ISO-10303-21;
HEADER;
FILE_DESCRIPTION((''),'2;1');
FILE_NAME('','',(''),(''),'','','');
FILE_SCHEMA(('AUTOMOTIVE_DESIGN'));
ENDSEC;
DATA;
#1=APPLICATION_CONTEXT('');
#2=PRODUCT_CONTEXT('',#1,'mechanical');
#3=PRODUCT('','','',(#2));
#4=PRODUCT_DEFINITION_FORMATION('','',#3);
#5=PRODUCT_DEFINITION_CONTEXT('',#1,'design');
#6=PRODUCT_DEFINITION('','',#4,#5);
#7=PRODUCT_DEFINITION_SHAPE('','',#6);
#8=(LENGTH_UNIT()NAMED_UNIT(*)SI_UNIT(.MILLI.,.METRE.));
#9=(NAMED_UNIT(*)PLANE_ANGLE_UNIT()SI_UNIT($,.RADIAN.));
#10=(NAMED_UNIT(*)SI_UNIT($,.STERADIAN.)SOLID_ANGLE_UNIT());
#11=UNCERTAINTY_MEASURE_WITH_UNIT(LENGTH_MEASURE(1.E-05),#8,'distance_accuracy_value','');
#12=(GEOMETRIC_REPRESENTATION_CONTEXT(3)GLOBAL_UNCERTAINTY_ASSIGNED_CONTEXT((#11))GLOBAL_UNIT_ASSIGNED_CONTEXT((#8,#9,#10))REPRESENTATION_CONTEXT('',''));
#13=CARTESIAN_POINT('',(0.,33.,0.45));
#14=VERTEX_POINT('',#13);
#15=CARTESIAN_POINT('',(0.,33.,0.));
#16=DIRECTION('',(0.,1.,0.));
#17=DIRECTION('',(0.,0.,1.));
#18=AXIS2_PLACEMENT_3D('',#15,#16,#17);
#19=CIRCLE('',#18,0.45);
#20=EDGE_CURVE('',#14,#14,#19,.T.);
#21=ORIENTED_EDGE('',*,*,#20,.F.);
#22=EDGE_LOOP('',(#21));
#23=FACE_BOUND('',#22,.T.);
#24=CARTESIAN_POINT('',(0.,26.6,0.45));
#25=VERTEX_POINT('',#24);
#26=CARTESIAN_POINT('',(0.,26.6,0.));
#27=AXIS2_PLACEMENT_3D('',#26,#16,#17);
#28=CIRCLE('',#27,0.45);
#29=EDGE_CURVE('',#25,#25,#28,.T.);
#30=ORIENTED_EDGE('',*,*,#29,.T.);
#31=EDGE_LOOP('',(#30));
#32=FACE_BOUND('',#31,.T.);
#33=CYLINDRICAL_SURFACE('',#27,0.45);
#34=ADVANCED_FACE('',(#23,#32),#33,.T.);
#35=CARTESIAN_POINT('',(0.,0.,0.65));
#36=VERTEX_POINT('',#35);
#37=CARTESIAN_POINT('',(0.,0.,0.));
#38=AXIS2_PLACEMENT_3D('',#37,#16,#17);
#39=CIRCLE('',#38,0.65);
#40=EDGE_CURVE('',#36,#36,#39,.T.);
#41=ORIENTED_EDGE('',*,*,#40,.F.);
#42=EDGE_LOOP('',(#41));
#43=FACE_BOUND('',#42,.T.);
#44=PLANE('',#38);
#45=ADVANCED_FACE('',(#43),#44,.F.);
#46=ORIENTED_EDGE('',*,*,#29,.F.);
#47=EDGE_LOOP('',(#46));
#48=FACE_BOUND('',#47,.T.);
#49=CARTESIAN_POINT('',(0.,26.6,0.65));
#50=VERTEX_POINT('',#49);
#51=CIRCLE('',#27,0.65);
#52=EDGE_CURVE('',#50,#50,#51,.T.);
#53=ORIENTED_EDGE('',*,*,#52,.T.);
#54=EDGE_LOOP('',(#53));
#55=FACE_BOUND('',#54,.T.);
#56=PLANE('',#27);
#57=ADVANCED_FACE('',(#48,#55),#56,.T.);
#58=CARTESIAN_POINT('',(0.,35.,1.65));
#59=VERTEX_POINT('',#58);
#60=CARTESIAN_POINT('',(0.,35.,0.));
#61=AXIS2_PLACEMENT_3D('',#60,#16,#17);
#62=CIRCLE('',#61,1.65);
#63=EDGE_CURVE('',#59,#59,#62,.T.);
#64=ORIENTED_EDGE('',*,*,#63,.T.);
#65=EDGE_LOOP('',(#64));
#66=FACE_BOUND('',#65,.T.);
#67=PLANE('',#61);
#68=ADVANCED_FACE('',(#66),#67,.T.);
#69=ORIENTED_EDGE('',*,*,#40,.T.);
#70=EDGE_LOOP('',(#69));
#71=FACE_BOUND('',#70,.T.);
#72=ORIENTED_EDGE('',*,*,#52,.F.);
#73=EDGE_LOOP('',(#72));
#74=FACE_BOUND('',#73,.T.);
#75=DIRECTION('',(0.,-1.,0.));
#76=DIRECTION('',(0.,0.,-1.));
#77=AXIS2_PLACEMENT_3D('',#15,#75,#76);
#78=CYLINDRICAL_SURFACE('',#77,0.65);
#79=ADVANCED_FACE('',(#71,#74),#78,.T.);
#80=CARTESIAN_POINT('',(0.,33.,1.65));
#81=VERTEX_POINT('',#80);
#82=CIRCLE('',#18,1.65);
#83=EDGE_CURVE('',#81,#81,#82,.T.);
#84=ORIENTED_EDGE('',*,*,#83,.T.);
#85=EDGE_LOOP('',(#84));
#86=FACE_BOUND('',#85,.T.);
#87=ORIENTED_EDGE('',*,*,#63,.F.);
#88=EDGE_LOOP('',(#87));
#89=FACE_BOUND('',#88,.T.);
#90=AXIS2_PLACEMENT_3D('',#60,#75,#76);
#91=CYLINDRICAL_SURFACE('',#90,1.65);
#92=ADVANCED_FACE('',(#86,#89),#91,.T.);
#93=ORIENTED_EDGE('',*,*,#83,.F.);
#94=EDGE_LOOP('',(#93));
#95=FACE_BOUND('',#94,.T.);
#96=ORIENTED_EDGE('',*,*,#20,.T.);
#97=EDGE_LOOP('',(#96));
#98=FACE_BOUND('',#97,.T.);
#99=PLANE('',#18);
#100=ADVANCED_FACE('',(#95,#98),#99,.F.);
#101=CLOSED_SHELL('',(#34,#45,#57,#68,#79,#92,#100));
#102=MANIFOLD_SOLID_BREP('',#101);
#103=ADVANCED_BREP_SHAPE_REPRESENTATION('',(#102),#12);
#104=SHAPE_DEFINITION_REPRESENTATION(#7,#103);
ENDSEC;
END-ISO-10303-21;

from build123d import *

# Parameters (mm, degrees)
SKETCH_2_R          = 0.65
EXTRUDE_1_DEPTH     = 33
CUT_EXTRUDE_START   = -6.4
SKETCH_3_R          = 0.65
SKETCH_3_R_2        = 0.45
CUT_EXTRUDE_2_DEPTH = 6.4
SKETCH_5_R          = 1.65
EXTRUDE_2_DEPTH     = 2


with BuildPart() as part:
    # 草图2 → 凸台-拉伸1 (new body)
    with BuildSketch(Plane(origin=(0, 0, 0), x_dir=(1, 0, 0), z_dir=(0, 1, 0))):
        with Locations(Location((0, 0, 0), (0, 0, 270))):
            Circle(SKETCH_2_R)
    extrude(amount=EXTRUDE_1_DEPTH)

    # 草图3 → 切除-拉伸2 (cut)
    with BuildSketch(Plane(origin=(0, 33, 0), x_dir=(1, 0, 0), z_dir=(0, 1, 0)).offset(CUT_EXTRUDE_START)):
        with Locations(Location((0, 0, 0), (0, 0, 270))):
            Circle(SKETCH_3_R)
        with Locations(Location((0, 0, 0), (0, 0, 270))):
            Circle(SKETCH_3_R_2, mode=Mode.SUBTRACT)
    extrude(amount=CUT_EXTRUDE_2_DEPTH, mode=Mode.SUBTRACT)

    # 草图5 → 凸台-拉伸2 (add)
    with BuildSketch(Plane(origin=(0, 33, 0), x_dir=(1, 0, 0), z_dir=(0, 1, 0))):
        with Locations(Location((0, 0, 0), (0, 0, 270))):
            Circle(SKETCH_5_R)
    extrude(amount=EXTRUDE_2_DEPTH)


solid = part.part
